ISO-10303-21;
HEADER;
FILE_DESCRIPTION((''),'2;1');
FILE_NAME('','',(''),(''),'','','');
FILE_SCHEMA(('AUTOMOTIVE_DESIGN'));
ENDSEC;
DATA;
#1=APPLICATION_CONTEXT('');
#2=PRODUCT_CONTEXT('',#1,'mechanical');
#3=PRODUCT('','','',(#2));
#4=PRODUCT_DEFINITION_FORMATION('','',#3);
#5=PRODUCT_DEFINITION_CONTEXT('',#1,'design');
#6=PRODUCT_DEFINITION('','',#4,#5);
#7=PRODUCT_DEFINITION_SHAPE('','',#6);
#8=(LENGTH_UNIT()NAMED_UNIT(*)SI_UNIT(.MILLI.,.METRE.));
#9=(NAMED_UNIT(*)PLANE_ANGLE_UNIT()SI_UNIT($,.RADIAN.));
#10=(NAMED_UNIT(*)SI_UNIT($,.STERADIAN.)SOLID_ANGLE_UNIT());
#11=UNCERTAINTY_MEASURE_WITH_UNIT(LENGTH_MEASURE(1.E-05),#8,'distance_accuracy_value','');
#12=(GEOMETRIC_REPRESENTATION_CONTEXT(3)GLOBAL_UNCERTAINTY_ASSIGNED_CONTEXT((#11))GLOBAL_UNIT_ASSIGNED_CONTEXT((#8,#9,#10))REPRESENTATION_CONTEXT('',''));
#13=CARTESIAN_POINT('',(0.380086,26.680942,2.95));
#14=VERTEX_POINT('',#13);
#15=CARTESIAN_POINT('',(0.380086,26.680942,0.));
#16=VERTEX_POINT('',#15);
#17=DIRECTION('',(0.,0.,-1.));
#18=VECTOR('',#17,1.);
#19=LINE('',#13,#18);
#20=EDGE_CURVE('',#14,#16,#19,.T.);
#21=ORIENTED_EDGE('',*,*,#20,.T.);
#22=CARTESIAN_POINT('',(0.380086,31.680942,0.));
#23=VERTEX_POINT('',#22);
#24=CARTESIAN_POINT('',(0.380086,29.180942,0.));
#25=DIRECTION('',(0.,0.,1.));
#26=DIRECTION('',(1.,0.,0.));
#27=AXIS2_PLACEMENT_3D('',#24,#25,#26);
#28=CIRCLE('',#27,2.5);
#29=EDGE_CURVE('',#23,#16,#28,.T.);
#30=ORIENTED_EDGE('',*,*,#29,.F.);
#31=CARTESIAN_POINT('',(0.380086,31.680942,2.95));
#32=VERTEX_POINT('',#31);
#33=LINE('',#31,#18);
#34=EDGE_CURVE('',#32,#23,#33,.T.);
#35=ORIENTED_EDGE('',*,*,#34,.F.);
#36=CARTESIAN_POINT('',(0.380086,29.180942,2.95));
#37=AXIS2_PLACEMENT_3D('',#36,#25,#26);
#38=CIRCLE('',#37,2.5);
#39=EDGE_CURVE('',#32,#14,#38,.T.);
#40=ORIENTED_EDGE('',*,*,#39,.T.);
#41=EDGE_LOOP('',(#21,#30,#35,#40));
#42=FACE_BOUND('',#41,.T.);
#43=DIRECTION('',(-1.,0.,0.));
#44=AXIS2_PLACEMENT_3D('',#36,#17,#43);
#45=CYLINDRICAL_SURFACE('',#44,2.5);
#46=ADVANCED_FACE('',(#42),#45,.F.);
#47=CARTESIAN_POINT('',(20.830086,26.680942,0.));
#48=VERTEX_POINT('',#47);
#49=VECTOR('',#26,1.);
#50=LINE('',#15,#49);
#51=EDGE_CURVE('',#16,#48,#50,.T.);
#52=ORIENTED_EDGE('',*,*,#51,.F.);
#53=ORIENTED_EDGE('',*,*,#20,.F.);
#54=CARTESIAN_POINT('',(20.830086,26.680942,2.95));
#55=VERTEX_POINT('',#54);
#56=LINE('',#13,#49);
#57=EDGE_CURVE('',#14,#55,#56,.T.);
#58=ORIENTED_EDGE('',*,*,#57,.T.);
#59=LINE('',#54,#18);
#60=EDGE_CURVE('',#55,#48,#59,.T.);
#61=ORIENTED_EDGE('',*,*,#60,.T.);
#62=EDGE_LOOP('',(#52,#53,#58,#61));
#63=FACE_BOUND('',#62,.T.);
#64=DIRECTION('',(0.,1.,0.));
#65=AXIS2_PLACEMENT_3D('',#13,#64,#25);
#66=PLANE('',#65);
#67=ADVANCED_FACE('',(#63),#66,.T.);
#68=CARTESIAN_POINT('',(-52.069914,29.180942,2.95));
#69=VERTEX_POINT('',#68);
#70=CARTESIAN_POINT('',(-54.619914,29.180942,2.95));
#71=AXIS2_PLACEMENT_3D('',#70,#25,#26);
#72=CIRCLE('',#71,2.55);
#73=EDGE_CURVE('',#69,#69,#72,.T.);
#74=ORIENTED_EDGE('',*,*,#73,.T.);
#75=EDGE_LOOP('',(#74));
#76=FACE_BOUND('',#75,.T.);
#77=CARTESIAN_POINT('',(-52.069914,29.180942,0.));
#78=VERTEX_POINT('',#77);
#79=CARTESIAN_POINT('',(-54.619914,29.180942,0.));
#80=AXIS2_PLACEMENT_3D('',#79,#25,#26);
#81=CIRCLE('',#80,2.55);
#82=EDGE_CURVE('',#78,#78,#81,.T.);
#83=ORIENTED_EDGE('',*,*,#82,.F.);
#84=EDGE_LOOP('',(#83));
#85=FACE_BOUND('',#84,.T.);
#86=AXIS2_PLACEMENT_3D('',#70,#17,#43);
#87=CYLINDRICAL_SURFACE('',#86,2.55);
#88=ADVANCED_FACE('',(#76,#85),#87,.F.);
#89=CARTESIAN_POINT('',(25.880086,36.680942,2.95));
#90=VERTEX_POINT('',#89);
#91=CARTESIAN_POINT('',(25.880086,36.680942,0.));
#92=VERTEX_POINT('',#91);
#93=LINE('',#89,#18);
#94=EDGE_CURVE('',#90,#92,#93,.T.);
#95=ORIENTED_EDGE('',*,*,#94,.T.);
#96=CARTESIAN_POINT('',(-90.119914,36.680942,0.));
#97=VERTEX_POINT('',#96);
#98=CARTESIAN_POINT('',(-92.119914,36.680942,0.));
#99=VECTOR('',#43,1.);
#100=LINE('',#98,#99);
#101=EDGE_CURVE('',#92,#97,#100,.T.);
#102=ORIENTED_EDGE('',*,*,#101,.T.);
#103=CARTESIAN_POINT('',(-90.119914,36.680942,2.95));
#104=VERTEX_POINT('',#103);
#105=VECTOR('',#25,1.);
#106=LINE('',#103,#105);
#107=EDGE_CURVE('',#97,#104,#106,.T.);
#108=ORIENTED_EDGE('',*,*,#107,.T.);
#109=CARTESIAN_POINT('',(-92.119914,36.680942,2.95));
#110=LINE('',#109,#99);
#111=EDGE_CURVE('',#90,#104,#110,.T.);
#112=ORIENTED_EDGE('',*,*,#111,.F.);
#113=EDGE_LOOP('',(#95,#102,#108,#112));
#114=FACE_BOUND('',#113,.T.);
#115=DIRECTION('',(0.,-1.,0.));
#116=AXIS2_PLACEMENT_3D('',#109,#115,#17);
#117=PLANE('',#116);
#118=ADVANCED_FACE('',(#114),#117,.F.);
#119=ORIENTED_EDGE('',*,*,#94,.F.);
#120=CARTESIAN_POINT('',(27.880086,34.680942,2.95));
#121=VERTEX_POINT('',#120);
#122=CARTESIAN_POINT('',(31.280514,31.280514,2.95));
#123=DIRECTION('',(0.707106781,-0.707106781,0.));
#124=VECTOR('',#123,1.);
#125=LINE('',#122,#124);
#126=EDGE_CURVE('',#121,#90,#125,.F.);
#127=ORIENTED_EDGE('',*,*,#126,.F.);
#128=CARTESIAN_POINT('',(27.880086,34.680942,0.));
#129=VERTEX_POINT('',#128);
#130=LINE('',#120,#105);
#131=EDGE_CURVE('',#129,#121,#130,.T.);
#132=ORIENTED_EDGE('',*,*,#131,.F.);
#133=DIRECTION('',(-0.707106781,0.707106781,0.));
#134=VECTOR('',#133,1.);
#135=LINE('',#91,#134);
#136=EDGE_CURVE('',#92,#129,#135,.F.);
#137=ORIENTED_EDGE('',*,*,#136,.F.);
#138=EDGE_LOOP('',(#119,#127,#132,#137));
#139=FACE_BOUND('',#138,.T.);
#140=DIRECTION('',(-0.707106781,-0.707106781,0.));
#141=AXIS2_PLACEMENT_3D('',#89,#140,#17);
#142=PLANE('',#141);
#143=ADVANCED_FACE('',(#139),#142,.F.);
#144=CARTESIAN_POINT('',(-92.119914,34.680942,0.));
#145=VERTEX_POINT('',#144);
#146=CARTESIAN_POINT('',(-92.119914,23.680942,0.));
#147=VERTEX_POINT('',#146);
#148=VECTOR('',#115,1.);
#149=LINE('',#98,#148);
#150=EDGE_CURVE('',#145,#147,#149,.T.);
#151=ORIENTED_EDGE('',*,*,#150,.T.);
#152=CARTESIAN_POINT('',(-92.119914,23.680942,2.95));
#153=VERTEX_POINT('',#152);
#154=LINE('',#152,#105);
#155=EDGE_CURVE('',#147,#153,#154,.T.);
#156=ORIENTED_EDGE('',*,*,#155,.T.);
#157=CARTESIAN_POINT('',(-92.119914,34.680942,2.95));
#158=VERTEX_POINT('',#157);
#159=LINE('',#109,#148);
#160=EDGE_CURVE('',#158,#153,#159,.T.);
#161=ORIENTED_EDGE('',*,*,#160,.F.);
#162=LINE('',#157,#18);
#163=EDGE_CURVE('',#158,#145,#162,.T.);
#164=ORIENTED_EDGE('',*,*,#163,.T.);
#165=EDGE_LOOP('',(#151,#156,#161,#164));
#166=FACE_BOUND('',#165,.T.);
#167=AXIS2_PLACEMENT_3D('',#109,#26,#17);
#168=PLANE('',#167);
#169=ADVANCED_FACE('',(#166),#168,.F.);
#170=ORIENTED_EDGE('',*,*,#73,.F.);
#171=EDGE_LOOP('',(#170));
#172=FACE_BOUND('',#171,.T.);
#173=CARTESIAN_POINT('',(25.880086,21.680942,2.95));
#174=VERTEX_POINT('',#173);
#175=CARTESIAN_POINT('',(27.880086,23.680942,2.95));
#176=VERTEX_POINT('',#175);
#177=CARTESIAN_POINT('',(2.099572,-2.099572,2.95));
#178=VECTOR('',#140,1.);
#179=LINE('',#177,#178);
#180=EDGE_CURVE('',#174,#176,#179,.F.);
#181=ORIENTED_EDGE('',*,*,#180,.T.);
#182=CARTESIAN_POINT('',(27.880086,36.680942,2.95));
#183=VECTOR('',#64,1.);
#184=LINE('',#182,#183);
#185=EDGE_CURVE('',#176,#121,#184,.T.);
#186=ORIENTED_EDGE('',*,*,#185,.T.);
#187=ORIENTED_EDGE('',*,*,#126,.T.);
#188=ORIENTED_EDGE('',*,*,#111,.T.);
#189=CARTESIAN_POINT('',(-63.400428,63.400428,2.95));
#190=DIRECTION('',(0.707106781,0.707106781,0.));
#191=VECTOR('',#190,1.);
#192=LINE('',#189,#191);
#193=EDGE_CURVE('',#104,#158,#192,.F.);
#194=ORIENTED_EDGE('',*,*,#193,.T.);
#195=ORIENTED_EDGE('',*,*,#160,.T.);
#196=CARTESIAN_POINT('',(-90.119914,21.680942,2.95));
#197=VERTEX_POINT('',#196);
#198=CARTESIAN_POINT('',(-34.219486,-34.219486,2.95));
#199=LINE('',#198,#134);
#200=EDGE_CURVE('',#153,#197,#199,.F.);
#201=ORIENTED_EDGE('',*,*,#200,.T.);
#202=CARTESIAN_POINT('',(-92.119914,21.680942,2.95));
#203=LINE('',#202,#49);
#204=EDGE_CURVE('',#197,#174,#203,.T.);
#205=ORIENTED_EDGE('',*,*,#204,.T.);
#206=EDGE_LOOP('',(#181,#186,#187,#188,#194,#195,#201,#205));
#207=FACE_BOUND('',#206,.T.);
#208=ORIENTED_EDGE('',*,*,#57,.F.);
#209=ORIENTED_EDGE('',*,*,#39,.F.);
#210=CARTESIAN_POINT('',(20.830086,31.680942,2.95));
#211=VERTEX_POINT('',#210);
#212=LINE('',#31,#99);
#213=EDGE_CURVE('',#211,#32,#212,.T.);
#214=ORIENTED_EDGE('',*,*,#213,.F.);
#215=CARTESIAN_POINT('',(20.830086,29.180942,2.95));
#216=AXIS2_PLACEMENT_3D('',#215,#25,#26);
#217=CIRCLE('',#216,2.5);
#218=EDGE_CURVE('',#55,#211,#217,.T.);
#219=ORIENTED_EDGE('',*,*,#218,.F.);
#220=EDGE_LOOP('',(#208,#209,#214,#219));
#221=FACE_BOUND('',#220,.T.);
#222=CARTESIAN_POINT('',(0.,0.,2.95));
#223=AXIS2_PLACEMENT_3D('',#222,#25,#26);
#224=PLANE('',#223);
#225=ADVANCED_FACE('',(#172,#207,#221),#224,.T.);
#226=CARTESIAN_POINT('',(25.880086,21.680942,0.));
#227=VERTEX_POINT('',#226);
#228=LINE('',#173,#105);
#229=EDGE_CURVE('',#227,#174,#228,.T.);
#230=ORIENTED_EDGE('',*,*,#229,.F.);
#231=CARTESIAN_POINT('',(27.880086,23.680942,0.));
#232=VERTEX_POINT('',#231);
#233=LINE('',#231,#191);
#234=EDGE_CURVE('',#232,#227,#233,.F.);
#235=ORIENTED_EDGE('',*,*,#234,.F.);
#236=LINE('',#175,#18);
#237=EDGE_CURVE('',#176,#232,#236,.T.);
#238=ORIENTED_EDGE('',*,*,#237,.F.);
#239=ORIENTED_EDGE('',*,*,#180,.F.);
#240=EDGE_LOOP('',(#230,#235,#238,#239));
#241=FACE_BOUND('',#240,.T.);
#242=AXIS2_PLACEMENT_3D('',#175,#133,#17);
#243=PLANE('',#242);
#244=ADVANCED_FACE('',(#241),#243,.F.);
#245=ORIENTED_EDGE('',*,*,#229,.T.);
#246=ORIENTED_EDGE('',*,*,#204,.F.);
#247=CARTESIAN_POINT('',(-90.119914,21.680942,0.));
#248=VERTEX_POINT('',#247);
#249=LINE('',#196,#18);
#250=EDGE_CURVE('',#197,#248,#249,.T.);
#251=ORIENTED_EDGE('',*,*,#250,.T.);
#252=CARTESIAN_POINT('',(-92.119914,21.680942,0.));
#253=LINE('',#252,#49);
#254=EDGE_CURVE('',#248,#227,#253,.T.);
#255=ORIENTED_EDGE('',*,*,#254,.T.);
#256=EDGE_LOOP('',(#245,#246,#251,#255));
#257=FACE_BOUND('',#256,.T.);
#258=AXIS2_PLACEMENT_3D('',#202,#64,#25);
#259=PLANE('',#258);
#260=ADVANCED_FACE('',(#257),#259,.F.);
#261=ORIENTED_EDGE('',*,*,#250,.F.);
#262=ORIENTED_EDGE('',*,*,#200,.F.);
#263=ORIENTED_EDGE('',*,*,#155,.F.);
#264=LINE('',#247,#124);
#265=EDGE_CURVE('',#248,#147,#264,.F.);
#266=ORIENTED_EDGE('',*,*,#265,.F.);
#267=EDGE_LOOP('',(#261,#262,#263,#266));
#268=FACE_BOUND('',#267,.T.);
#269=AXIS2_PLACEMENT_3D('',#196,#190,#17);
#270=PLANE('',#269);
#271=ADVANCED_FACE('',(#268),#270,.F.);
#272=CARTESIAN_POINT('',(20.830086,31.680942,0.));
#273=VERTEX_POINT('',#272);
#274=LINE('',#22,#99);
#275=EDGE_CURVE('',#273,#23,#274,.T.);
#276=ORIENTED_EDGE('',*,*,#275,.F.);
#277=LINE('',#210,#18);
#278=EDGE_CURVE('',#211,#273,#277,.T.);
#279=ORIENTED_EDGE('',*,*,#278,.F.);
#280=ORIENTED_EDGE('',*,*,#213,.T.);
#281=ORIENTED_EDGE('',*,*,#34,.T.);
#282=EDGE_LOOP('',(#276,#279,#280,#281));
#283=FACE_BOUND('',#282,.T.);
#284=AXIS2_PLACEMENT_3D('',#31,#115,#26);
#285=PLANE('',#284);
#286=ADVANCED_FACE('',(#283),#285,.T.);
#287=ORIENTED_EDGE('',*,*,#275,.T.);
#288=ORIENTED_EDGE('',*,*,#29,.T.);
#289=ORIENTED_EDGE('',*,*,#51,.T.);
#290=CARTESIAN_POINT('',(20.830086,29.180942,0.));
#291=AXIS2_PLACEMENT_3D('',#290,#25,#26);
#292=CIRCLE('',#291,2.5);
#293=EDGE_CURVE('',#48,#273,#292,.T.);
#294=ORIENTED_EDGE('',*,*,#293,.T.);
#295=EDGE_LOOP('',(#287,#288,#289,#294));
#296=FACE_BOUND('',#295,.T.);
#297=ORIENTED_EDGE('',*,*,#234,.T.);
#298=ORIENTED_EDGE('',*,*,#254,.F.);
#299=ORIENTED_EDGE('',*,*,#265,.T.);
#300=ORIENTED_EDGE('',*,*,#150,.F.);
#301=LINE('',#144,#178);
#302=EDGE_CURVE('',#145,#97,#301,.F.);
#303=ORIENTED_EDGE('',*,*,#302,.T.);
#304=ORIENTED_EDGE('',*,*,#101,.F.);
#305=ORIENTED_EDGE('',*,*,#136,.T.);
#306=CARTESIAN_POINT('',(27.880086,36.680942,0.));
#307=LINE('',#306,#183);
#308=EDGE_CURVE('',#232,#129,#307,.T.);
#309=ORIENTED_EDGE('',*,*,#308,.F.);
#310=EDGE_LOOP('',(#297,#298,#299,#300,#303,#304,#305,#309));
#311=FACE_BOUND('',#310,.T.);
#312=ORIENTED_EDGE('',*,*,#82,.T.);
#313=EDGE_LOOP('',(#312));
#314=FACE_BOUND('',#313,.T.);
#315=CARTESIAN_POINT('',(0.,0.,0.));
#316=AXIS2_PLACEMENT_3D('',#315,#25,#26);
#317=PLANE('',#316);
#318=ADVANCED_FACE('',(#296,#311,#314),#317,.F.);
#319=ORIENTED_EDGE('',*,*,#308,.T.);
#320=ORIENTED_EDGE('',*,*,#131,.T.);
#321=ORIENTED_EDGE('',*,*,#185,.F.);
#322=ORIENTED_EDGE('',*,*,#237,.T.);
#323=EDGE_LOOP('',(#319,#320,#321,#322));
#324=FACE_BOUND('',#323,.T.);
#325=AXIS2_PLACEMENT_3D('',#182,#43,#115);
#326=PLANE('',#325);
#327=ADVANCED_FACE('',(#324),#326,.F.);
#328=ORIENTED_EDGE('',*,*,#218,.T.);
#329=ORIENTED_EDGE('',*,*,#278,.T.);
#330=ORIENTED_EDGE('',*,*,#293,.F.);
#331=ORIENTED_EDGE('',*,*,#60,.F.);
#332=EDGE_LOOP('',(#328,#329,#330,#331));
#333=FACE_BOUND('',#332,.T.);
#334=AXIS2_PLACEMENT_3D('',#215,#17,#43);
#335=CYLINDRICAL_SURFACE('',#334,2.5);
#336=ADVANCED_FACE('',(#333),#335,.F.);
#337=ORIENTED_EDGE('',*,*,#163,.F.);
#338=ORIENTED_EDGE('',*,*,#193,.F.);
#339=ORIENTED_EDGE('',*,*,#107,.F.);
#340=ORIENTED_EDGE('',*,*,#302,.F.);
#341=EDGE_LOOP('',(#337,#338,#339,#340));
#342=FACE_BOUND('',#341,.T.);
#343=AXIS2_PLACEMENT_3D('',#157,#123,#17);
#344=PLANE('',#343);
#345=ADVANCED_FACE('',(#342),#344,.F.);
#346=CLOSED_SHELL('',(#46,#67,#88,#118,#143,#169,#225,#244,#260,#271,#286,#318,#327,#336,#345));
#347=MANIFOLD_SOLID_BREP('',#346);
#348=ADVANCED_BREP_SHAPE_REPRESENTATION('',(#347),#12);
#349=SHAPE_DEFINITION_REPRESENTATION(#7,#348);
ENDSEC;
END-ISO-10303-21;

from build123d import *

# Parameters (mm, degrees)
SKETCH1_W           = 120
SKETCH1_H           = 15
SKETCH1_R           = 2.55
BOSS_EXTRUDE1_DEPTH = 2.95
CHAMFER1_SIZE       = 2


with BuildPart() as part:
    # Sketch1 → Boss-Extrude1 (new body)
    with BuildSketch(Plane.XY):
        with Locations((-32.119914347, 29.180942184)):
            Rectangle(SKETCH1_W, SKETCH1_H)
        with Locations((-54.619914347, 29.180942184)):
            Circle(SKETCH1_R, mode=Mode.SUBTRACT)
        with BuildLine():
            Line((0.380085653, 31.680942184), (20.830085653, 31.680942184))
            ThreePointArc((20.830085653, 31.680942184), (23.330085653, 29.180942184), (20.830085653, 26.680942184))
            Line((20.830085653, 26.680942184), (0.380085653, 26.680942184))
            ThreePointArc((0.380085653, 26.680942184), (-2.119914347, 29.180942184), (0.380085653, 31.680942184))
        make_face(mode=Mode.SUBTRACT)
    extrude(amount=BOSS_EXTRUDE1_DEPTH)

    # Chamfer1
    chamfer1_edges = [part.edges().sort_by_distance(p)[0] for p in [
        (27.880085653, 21.680942184, 1.475),
        (-92.119914347, 21.680942184, 1.475),
        (-92.119914347, 36.680942184, 1.475),
        (27.880085653, 36.680942184, 1.475),
    ]]
    chamfer(chamfer1_edges, length=CHAMFER1_SIZE)


solid = part.part
